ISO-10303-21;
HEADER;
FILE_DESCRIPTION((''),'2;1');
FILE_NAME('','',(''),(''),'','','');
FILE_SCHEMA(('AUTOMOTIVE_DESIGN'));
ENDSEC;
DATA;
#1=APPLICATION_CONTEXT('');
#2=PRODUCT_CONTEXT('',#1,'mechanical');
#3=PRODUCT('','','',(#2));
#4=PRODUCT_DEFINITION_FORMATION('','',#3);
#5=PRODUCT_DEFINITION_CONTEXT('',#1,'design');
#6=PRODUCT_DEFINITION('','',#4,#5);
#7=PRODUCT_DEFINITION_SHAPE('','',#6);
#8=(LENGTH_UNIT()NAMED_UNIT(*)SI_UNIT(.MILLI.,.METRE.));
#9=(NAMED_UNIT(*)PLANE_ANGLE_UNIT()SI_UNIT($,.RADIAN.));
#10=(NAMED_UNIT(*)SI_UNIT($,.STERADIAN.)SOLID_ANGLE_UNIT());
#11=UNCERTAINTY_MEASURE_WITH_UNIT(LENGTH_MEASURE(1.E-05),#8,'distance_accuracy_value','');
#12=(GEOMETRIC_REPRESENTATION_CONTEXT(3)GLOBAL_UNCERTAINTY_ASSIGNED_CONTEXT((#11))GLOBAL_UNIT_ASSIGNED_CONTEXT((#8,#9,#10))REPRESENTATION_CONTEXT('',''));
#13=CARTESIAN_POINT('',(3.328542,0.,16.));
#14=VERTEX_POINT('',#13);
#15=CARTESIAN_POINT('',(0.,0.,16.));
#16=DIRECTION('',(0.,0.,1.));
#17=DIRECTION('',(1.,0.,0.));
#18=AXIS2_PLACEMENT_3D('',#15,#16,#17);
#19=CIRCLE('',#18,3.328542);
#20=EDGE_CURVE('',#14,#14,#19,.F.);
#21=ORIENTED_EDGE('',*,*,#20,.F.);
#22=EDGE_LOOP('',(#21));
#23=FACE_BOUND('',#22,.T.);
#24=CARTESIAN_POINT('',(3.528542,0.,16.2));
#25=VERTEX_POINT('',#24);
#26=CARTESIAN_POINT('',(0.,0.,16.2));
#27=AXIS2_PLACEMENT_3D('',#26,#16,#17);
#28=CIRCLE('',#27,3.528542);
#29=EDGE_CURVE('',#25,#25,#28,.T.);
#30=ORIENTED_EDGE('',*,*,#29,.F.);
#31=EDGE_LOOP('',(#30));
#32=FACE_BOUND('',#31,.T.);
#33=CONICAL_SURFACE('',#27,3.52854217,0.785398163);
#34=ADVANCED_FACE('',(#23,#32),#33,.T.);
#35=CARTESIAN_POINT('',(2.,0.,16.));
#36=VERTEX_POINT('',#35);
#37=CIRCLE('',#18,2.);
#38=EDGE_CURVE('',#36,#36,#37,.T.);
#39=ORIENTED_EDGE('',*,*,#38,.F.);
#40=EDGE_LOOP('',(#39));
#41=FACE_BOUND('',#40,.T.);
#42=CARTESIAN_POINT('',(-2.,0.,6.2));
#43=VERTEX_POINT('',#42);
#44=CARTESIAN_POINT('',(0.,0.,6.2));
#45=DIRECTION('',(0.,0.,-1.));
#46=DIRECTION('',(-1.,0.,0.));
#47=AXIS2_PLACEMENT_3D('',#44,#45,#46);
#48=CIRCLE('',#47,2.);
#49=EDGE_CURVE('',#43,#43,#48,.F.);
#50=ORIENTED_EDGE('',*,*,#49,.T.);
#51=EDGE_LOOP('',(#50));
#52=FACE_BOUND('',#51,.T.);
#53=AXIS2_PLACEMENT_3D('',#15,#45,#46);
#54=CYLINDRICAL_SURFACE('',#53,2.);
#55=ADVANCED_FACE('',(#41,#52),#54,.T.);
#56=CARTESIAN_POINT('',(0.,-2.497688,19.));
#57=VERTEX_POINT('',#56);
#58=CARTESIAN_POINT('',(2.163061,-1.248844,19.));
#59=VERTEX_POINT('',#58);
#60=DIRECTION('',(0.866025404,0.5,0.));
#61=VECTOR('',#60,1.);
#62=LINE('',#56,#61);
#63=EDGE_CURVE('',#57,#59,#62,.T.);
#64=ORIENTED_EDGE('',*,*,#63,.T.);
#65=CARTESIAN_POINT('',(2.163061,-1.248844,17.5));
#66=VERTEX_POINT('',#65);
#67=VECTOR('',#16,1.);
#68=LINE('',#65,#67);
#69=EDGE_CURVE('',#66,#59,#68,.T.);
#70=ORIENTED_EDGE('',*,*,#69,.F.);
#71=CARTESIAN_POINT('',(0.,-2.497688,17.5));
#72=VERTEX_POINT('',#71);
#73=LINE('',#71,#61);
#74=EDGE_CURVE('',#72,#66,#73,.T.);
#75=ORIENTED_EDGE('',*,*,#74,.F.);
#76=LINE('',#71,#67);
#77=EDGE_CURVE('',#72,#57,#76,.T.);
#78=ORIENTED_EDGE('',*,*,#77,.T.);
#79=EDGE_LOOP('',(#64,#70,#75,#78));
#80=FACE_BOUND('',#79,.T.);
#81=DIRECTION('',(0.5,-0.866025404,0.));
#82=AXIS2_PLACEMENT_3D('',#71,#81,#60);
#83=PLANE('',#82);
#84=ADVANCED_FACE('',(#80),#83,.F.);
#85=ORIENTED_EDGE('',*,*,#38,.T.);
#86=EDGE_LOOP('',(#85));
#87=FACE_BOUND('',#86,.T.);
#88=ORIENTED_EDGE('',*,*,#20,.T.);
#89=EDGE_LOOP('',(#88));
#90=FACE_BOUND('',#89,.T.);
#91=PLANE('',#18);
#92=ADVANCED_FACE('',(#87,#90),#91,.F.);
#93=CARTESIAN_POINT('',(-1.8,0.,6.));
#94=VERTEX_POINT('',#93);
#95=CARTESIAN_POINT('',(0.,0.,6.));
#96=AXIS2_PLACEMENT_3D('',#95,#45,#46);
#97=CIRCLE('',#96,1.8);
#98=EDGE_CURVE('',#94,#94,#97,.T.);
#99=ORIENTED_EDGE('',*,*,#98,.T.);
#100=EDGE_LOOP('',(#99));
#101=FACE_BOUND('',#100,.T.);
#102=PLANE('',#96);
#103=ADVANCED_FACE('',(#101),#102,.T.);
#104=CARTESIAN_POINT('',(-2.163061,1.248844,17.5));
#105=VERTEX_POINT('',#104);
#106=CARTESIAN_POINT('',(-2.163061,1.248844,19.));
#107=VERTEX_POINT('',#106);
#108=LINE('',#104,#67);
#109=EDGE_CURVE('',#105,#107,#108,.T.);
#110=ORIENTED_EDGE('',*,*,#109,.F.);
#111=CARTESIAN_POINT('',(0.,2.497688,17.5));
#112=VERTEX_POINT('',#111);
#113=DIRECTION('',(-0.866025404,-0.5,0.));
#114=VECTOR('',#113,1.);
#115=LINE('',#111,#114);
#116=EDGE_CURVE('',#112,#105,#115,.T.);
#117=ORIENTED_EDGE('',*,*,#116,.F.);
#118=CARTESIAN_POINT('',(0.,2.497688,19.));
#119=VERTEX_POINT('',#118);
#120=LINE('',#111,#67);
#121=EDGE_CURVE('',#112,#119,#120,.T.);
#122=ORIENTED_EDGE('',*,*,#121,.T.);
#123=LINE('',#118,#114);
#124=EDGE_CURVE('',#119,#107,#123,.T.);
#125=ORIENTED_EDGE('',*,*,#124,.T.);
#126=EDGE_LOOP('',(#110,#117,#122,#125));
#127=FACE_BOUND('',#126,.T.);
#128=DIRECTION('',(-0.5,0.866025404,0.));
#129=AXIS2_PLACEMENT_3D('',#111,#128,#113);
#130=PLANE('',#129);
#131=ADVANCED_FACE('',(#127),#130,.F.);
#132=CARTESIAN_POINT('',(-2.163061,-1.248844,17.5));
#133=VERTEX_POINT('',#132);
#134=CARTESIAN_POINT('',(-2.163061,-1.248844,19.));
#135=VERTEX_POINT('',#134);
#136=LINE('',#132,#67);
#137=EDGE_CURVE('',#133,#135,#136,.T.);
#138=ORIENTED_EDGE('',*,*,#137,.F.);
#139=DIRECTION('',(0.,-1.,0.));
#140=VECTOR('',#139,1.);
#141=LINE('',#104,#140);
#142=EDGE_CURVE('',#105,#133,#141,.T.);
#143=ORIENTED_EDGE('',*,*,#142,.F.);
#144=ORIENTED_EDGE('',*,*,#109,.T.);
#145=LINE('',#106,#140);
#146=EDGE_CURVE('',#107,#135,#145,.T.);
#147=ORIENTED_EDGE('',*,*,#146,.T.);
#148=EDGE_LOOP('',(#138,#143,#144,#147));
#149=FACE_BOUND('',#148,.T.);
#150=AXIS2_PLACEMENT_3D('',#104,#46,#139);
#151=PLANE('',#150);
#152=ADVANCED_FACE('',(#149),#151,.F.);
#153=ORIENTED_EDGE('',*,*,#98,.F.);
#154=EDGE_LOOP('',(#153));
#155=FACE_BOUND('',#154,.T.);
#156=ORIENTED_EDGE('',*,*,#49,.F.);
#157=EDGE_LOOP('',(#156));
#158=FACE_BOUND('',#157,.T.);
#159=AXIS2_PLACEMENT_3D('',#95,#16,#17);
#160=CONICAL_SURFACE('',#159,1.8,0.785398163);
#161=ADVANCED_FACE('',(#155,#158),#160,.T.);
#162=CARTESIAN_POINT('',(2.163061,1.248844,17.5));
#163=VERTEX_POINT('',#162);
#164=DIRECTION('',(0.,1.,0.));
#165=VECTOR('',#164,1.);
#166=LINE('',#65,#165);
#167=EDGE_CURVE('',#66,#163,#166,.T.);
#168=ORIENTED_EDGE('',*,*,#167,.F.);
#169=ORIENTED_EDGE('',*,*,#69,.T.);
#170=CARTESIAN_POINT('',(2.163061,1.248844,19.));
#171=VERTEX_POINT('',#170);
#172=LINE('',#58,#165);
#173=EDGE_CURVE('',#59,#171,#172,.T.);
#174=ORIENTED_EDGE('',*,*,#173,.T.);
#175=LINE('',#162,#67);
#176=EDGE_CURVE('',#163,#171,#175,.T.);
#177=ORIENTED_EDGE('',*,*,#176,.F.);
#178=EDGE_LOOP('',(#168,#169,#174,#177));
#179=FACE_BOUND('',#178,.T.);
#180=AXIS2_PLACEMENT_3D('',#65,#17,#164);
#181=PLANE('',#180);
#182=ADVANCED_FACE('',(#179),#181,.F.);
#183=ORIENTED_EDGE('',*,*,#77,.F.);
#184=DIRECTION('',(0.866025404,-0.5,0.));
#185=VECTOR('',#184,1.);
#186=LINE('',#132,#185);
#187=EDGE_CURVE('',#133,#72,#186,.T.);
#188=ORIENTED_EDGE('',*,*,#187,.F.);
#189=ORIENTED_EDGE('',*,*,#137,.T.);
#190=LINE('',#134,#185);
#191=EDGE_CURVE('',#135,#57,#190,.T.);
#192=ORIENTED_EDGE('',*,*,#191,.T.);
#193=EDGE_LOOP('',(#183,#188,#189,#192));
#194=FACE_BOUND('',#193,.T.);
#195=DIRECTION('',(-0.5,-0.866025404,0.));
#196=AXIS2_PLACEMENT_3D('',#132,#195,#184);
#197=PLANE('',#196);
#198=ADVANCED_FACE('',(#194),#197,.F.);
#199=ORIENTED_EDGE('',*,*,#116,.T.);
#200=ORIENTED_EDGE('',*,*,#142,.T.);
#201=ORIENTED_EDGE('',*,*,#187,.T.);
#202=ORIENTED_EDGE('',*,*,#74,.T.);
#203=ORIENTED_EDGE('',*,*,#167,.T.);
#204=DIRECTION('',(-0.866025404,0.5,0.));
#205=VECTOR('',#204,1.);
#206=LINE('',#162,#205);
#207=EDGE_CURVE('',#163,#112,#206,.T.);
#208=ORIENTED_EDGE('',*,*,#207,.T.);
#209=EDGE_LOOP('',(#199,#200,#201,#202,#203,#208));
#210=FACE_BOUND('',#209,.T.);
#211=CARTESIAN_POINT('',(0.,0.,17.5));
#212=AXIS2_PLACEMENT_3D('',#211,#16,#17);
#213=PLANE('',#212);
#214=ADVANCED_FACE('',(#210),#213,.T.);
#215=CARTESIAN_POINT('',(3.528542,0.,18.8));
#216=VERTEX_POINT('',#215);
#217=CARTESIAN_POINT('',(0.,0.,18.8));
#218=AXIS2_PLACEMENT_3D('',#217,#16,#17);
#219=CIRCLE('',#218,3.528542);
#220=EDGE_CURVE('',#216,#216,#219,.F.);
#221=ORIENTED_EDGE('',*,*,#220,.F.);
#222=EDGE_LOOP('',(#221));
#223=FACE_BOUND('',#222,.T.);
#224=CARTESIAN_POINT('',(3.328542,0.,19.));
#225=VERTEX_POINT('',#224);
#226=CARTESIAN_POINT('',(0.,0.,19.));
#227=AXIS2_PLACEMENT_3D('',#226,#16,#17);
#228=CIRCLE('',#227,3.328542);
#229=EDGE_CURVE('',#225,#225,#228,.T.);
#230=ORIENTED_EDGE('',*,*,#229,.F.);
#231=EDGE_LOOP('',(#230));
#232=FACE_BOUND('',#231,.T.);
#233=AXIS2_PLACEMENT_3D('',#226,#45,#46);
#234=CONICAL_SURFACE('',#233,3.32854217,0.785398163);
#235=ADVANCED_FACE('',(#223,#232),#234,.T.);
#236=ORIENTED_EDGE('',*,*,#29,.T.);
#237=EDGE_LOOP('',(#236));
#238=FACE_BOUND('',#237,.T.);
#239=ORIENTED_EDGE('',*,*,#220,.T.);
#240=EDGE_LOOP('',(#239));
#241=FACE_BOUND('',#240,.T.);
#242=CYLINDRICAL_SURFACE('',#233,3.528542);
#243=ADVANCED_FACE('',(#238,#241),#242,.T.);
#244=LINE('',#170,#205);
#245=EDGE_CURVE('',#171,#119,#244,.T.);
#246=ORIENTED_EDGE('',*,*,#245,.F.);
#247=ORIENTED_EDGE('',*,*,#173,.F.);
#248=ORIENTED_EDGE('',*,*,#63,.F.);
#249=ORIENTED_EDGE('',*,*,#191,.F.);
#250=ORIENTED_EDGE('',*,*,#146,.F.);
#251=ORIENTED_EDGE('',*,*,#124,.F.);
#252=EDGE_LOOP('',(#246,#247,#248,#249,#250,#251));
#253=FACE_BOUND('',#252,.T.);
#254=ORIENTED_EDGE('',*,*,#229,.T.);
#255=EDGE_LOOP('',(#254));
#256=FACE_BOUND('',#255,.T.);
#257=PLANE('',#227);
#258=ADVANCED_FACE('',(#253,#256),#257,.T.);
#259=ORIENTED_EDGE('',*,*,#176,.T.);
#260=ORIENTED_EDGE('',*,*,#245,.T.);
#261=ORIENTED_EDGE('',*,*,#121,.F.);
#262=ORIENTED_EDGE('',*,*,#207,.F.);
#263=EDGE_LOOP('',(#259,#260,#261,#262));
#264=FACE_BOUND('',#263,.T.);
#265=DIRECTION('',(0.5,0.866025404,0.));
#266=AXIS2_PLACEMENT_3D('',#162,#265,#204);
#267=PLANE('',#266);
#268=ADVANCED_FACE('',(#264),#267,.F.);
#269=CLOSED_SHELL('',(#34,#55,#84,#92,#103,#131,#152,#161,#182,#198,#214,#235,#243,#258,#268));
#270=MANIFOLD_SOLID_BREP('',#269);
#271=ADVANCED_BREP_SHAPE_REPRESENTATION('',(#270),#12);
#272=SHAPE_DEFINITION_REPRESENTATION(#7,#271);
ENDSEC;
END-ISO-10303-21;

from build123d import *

# Parameters (mm, degrees)
SKETCH_1_R          = 2
EXTRUDE_1_DEPTH     = 16
SKETCH_2_R          = 3.52854217
EXTRUDE_3_DEPTH     = 3
CUT_EXTRUDE_2_DEPTH = 1.5
CHAMFER_1_SIZE      = 0.2
CHAMFER_2_SIZE      = 0.2
SKETCH_4_R          = 2
CUT_EXTRUDE_3_DEPTH = 6
CHAMFER_3_SIZE      = 0.2


with BuildPart() as part:
    # 草图1 → 凸台-拉伸1 (new body)
    with BuildSketch(Plane.XY):
        Circle(SKETCH_1_R)
    extrude(amount=EXTRUDE_1_DEPTH)

    # 草图2 → 凸台-拉伸3 (add)
    with BuildSketch(Plane.XY.offset(16)):
        Circle(SKETCH_2_R)
    extrude(amount=EXTRUDE_3_DEPTH)

    # 草图3 → 切除-拉伸2 (cut)
    with BuildSketch(Plane.XY.offset(19)):
        Polygon((0, 2.497687594), (-2.163060907, 1.248843797), (-2.163060907, -1.248843797), (0, -2.497687594), (2.163060907, -1.248843797), (2.163060907, 1.248843797), align=None)
    extrude(amount=-CUT_EXTRUDE_2_DEPTH, mode=Mode.SUBTRACT)

    # 倒角1
    chamfer_1_edges = [part.edges().sort_by_distance(p)[0] for p in [
        (-2, 0, 0),
    ]]
    chamfer(chamfer_1_edges, length=CHAMFER_1_SIZE)

    # 倒角2
    chamfer_2_edges = [part.edges().sort_by_distance(p)[0] for p in [
        (-3.52854217, 0, 16),
        (-3.52854217, 0, 19),
    ]]
    chamfer(chamfer_2_edges, length=CHAMFER_2_SIZE)

    # 草图4 → 切除-拉伸3 (cut)
    with BuildSketch(Plane(origin=(0, 0, 0), x_dir=(-1, 0, 0), z_dir=(0, 0, -1))):
        Circle(SKETCH_4_R)
    extrude(amount=-CUT_EXTRUDE_3_DEPTH, mode=Mode.SUBTRACT)

    # 倒角3
    chamfer_3_edges = [part.edges().sort_by_distance(p)[0] for p in [
        (-2, 0, 6),
    ]]
    chamfer(chamfer_3_edges, length=CHAMFER_3_SIZE)


solid = part.part
